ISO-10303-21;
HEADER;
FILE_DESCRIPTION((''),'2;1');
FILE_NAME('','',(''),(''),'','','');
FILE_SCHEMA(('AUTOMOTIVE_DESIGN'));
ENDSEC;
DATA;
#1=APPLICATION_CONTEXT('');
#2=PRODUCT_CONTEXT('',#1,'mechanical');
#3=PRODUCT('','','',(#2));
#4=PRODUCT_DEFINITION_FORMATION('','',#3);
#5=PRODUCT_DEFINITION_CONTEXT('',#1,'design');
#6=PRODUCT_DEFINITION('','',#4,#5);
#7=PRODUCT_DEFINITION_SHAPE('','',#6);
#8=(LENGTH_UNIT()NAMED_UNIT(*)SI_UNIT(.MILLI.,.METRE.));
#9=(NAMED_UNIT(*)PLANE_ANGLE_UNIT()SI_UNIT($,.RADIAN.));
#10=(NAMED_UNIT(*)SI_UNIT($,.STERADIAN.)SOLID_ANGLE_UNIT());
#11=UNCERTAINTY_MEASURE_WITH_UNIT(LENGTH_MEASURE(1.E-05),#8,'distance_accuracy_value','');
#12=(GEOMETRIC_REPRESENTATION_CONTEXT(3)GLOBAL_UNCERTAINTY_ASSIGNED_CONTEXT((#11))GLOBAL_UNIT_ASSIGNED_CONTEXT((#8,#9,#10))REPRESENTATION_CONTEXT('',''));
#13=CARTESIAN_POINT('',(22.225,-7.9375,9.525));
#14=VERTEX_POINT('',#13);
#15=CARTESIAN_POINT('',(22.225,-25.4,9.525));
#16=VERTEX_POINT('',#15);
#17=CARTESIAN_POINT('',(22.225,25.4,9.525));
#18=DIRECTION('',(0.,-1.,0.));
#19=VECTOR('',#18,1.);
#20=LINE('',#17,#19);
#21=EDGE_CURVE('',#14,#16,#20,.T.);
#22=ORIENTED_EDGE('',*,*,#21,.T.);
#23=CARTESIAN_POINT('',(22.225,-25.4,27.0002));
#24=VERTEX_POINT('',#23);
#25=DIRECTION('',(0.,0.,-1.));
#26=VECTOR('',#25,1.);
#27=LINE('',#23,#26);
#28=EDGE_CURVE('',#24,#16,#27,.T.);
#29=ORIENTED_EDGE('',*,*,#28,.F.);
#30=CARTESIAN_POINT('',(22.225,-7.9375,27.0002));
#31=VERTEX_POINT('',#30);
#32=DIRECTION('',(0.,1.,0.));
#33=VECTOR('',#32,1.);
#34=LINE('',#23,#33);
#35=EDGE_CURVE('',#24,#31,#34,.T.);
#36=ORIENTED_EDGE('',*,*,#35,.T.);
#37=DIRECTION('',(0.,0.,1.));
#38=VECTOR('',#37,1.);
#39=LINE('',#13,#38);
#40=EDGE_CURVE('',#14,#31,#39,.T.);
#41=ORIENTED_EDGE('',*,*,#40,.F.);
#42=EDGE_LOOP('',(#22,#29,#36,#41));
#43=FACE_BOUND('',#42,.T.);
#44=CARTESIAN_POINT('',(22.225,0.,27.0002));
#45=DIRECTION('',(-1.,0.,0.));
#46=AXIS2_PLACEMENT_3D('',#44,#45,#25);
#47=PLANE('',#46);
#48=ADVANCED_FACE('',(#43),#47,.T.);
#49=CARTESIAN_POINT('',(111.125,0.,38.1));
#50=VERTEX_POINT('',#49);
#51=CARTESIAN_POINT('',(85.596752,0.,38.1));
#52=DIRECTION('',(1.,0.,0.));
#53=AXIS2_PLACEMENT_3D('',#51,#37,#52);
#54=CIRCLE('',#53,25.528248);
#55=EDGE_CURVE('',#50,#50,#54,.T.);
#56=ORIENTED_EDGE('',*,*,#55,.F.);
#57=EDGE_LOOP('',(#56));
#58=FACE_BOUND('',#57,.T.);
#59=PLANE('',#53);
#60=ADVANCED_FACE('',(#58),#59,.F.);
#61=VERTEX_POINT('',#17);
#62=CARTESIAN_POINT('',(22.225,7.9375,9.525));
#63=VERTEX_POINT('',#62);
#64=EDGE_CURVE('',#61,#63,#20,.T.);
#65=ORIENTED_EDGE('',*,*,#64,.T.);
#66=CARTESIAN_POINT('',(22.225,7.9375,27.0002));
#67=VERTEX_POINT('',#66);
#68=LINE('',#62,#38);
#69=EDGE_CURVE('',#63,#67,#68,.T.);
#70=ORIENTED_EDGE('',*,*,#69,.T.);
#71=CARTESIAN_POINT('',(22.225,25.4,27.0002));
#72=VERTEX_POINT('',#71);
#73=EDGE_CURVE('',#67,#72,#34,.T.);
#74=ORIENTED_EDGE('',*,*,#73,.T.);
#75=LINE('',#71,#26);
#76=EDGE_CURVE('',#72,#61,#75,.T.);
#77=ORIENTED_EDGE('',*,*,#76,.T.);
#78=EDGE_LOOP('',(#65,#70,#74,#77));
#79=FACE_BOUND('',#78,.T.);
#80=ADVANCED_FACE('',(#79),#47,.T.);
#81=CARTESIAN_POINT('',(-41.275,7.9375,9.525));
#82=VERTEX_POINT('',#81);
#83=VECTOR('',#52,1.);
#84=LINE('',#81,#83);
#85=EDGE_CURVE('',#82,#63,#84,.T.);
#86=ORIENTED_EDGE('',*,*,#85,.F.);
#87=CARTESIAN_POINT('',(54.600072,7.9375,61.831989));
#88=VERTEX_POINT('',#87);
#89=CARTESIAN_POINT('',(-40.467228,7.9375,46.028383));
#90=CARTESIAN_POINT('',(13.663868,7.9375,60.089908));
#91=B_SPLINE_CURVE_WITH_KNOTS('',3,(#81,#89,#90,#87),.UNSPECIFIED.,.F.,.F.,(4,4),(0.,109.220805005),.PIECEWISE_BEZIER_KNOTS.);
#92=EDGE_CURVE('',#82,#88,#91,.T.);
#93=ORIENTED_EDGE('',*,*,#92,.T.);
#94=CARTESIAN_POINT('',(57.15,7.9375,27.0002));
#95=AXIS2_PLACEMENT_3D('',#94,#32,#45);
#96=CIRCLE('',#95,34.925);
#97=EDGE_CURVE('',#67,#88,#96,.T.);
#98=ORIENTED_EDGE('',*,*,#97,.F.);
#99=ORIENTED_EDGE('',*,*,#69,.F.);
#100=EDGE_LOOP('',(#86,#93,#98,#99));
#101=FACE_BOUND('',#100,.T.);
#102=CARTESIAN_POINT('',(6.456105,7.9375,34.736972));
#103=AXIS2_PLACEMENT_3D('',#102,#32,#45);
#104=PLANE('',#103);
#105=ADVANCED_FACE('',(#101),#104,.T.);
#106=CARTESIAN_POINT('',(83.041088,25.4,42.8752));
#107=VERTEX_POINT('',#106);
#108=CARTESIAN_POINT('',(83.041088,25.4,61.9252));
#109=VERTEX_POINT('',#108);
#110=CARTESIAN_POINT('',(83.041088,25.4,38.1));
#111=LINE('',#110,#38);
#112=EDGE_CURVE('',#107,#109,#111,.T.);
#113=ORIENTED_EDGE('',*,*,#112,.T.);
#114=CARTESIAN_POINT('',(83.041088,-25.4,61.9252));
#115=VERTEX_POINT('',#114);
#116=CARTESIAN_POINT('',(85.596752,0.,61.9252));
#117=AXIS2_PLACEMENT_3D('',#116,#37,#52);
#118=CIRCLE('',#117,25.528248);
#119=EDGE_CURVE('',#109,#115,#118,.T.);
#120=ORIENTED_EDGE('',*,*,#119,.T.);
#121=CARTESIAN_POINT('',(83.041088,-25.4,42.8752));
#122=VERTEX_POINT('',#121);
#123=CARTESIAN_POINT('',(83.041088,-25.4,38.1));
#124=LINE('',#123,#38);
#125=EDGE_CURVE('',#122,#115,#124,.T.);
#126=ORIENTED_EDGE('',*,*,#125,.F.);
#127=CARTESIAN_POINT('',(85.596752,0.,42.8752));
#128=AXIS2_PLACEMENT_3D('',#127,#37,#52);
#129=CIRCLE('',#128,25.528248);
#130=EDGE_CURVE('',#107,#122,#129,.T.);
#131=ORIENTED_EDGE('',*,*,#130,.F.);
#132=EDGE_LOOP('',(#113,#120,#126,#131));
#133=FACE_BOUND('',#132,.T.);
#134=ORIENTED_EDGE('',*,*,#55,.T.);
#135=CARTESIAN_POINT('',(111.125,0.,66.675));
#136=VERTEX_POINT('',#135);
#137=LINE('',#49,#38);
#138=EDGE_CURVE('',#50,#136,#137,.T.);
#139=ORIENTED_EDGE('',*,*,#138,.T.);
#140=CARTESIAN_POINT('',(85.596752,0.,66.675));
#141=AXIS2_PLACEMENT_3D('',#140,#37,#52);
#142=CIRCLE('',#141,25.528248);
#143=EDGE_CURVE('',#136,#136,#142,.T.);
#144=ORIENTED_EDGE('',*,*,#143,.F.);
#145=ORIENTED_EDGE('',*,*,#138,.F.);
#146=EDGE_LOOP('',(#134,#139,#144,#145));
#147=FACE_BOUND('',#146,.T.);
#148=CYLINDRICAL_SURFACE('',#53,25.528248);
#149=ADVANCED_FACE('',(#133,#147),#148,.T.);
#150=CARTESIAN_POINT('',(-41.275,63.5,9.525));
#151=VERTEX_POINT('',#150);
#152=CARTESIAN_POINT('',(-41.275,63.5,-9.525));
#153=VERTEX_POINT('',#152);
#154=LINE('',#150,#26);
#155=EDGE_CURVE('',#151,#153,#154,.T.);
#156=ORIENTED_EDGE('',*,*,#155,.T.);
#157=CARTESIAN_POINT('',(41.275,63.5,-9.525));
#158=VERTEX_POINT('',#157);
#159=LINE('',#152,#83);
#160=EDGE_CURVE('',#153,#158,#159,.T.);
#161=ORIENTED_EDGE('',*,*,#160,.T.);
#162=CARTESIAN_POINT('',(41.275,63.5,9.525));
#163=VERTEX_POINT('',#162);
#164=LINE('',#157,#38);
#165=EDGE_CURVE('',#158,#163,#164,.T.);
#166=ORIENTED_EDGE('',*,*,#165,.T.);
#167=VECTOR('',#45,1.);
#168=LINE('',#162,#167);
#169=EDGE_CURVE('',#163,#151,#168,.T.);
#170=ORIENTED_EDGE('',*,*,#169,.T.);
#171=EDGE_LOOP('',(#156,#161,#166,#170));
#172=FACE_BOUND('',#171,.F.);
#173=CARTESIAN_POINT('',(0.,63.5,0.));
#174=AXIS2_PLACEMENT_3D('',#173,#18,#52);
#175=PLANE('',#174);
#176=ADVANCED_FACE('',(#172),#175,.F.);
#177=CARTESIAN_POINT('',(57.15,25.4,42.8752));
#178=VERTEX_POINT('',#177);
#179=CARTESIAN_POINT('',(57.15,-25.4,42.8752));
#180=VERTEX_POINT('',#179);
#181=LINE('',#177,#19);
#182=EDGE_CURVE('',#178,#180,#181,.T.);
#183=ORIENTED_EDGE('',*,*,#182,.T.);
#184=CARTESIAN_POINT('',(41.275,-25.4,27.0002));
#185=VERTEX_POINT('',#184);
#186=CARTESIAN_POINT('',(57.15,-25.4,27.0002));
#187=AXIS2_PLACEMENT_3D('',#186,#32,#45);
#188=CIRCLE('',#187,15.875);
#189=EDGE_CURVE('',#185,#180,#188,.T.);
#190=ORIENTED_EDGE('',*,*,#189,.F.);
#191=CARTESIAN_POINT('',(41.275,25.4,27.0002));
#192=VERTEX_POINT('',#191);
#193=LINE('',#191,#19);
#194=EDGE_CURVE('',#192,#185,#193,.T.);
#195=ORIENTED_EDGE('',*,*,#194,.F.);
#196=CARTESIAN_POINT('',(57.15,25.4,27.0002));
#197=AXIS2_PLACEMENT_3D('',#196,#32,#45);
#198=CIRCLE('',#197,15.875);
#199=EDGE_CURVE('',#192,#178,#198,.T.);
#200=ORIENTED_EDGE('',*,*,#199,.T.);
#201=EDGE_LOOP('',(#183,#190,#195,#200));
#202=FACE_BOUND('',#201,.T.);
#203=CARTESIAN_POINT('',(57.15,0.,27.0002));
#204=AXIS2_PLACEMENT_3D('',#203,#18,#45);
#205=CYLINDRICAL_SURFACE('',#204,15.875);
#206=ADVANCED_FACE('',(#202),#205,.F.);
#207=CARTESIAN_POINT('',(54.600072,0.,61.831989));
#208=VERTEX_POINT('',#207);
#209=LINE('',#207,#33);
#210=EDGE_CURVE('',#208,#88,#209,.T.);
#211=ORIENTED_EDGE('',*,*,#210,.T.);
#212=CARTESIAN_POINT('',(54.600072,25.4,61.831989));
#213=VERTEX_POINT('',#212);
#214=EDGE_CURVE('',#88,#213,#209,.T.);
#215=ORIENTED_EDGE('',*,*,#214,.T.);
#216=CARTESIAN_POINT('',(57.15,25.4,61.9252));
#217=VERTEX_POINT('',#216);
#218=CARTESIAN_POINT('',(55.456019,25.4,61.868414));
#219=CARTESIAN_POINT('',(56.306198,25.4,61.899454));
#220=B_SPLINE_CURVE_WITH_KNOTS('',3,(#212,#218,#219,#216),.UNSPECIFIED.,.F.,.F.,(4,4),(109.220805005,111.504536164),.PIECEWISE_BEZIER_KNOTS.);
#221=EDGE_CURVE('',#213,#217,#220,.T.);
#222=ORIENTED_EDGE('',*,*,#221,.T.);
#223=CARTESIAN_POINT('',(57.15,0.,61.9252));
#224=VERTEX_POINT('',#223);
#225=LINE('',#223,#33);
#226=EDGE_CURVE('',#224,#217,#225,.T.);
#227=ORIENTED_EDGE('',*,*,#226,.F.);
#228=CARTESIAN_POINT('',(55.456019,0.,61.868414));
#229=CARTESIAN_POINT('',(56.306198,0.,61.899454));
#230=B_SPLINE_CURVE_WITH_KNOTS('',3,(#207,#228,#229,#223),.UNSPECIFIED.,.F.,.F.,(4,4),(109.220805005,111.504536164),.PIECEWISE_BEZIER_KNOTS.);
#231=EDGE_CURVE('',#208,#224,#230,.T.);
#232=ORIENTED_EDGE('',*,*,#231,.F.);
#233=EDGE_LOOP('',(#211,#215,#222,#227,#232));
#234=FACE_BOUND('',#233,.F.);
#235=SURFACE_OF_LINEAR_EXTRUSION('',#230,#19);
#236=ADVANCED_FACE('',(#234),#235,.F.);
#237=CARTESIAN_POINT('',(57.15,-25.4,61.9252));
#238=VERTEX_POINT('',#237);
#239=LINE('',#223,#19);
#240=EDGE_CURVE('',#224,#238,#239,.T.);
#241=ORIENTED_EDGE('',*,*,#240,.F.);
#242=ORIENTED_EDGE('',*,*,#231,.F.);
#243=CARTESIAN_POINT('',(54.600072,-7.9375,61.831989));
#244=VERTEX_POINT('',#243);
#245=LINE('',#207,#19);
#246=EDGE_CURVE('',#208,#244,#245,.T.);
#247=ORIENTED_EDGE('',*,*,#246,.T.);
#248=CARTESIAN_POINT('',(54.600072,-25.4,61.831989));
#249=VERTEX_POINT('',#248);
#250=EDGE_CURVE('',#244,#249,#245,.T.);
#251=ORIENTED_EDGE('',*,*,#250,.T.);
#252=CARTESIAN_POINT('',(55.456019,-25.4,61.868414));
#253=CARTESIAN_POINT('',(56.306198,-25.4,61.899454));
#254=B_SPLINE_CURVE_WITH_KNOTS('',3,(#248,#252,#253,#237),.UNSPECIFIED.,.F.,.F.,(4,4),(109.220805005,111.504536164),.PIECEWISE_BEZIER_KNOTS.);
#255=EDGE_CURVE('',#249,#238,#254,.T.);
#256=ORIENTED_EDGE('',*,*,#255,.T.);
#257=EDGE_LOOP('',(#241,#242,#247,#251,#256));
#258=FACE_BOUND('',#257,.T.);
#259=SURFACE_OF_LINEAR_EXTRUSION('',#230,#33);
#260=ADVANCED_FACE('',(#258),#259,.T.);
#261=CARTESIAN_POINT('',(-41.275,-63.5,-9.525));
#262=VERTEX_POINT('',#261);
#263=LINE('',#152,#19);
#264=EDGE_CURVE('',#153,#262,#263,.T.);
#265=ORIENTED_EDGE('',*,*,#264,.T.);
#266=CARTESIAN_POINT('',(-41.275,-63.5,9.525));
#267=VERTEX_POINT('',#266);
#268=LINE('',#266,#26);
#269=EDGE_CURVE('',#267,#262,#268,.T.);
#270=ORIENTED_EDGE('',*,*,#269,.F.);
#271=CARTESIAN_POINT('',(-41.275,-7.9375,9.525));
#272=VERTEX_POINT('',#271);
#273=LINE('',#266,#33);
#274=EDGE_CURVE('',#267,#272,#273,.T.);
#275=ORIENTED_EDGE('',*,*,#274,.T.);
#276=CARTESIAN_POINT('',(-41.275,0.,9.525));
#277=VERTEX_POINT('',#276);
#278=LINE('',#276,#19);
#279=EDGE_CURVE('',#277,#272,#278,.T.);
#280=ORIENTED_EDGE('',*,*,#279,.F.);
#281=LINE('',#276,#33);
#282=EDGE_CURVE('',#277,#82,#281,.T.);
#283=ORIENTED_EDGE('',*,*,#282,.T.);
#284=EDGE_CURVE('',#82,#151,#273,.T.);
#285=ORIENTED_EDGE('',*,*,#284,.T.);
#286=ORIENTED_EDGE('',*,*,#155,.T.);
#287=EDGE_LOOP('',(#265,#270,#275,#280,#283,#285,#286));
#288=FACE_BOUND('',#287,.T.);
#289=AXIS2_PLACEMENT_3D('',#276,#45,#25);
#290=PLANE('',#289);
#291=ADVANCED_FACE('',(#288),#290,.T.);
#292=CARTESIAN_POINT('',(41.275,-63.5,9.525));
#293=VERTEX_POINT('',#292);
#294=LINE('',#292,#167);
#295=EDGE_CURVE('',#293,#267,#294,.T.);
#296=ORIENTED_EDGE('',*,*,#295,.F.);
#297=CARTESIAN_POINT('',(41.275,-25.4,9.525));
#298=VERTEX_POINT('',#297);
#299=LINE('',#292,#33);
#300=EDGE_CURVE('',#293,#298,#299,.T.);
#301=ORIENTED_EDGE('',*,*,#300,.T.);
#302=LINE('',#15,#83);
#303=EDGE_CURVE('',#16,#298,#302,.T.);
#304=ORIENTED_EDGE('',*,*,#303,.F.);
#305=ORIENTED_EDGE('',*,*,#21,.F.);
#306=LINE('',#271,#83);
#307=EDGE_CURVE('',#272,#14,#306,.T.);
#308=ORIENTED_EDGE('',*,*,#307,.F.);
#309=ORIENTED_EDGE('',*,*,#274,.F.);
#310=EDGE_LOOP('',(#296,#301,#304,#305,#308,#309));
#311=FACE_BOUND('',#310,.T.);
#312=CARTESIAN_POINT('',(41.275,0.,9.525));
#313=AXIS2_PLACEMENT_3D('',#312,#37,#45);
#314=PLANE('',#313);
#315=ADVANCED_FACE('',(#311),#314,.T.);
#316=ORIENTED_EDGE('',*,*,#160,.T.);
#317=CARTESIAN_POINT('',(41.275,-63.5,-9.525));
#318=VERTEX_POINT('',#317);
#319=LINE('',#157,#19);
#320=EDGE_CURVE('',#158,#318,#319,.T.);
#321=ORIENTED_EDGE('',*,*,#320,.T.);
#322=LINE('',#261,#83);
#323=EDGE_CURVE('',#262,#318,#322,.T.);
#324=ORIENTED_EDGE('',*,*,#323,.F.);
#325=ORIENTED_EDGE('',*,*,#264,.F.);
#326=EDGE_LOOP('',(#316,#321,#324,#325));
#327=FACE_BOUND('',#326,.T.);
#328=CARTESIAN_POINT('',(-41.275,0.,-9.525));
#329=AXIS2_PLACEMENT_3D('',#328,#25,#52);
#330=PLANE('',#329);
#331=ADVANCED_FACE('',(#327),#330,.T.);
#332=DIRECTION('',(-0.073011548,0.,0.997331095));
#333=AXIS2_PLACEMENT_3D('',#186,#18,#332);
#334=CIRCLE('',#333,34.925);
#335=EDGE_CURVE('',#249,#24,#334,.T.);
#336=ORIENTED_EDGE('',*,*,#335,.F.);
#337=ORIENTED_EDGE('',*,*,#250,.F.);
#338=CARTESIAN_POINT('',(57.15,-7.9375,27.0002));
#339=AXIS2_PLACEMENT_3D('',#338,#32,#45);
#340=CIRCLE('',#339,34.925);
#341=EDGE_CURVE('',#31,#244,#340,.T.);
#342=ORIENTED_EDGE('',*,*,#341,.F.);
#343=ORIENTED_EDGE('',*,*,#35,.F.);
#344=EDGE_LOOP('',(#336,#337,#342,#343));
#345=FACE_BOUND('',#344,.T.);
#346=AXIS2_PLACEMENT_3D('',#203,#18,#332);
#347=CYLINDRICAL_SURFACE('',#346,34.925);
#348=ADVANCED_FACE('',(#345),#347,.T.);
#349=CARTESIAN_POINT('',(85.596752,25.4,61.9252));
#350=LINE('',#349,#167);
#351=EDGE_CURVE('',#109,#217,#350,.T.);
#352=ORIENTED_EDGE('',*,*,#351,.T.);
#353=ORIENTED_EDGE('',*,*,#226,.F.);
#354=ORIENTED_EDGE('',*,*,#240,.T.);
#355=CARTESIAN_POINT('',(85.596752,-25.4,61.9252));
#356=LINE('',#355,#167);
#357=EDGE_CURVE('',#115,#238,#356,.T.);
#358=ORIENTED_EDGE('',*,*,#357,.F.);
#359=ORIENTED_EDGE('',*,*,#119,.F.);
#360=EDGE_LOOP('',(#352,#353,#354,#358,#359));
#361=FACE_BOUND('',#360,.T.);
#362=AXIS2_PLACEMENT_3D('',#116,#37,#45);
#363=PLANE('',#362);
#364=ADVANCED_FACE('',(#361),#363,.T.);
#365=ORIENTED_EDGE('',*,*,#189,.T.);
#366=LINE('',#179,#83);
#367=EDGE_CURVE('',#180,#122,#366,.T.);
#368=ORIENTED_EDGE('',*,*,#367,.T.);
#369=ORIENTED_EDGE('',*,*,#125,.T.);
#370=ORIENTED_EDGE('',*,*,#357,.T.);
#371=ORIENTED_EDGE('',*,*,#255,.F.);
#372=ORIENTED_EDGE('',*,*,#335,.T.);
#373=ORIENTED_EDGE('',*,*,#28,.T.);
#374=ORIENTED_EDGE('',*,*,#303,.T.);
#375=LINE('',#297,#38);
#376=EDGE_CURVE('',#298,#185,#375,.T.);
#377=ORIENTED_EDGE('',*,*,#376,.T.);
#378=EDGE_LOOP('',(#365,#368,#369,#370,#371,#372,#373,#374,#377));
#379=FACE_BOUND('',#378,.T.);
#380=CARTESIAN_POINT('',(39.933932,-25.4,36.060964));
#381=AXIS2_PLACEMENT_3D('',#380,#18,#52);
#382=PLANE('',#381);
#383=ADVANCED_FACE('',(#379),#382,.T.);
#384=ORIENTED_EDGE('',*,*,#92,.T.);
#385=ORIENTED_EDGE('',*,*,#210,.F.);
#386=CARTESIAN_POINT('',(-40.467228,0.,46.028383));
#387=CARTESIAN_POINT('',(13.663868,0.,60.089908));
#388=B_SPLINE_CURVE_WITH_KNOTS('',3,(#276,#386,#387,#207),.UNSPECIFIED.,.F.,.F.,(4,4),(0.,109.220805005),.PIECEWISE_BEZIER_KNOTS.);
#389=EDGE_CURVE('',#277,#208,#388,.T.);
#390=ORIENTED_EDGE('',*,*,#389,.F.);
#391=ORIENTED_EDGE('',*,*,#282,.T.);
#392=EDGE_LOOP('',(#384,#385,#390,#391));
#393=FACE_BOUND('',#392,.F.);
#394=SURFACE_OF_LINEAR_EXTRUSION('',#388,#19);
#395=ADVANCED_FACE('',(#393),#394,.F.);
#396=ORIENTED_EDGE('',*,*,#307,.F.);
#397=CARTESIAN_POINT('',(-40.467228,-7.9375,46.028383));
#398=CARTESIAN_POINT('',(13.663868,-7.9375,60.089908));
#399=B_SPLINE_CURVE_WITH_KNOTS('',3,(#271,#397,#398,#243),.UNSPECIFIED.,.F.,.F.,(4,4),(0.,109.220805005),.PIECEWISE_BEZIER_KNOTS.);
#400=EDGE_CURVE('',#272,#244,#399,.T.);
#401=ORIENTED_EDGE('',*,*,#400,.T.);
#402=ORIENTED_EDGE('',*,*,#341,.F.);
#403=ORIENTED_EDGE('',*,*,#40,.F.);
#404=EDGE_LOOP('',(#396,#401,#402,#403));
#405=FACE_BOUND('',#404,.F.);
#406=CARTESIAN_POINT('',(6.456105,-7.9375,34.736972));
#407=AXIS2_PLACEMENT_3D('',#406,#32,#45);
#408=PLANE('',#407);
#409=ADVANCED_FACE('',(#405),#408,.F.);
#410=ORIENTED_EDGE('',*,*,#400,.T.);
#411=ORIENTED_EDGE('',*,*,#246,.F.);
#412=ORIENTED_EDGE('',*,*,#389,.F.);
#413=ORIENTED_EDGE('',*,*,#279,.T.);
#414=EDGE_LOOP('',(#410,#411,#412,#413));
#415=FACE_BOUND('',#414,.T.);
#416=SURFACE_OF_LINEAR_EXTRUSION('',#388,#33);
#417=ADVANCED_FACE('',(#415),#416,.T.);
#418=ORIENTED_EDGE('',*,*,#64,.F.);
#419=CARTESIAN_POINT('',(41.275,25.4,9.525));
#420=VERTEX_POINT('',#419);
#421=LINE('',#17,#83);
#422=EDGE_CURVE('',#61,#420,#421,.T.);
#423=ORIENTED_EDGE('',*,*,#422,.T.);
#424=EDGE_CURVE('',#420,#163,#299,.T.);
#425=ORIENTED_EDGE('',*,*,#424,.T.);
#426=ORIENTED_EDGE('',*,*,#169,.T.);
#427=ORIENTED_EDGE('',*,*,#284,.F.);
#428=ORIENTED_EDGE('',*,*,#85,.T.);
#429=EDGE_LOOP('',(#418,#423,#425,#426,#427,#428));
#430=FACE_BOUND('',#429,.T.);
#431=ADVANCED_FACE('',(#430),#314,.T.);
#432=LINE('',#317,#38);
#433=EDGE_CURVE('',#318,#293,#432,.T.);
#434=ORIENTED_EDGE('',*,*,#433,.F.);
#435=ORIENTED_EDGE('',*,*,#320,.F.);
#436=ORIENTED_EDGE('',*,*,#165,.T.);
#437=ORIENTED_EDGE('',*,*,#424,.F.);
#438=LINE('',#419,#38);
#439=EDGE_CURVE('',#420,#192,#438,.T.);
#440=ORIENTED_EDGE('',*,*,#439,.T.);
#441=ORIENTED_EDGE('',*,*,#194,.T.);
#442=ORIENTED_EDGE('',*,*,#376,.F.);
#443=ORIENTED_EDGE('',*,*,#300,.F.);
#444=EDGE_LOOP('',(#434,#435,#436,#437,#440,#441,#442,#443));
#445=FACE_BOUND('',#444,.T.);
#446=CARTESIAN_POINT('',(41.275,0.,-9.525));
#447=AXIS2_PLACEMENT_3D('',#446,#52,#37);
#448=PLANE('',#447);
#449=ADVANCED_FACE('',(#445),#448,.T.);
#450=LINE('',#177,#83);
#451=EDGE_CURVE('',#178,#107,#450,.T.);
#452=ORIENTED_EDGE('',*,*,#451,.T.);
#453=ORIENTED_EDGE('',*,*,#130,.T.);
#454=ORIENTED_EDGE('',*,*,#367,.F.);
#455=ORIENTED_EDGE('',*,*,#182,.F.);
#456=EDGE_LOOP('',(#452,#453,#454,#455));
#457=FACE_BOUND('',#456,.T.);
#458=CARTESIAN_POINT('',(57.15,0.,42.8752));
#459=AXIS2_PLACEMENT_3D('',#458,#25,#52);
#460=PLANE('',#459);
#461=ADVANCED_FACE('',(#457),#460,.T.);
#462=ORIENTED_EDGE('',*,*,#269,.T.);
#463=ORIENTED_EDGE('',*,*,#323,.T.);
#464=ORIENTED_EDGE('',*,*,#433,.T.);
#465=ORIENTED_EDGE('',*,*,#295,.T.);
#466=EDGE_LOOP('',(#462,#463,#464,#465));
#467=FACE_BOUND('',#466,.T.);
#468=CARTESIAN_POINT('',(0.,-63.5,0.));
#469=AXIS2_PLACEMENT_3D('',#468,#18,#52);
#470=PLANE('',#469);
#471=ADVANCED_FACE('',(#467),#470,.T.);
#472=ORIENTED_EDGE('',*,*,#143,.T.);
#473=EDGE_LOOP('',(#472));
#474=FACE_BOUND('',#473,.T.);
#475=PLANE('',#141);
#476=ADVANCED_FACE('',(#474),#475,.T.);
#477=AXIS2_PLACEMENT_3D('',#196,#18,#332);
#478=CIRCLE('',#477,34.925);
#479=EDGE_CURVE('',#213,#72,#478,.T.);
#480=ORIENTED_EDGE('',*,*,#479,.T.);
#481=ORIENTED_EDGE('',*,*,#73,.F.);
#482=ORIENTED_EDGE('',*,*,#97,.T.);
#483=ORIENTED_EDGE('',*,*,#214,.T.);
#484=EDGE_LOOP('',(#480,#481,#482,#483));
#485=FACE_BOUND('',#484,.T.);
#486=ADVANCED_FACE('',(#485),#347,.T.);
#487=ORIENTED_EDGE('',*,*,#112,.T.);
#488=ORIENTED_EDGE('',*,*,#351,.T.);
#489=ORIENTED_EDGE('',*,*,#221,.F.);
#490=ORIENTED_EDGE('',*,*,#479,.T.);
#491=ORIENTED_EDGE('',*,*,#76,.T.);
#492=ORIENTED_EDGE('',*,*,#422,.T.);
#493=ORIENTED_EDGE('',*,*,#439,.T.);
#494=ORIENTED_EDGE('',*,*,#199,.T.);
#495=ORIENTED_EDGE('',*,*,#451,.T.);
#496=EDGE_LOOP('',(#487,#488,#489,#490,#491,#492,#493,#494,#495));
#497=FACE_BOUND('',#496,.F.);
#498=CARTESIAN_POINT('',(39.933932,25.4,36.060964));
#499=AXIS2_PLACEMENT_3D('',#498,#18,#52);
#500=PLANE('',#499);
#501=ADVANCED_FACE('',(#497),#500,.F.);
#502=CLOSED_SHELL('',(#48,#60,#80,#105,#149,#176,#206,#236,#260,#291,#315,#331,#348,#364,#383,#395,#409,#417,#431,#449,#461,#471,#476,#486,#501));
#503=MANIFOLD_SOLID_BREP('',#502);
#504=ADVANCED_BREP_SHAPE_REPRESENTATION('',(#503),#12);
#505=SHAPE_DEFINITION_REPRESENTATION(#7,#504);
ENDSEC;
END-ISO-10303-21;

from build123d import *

# Parameters (mm, degrees)
F1_DEPTH = 63.5
F0_W     = 25.2717524765
F0_H     = 19.05
F2_DEPTH = 25.4
F3_DEPTH = 7.9375


with BuildPart() as f1:
    # F0 (on Front) → F1 (new body, symmetric)
    with BuildSketch(Plane.XZ):
        Polygon((22.225, 9.525), (-41.275, 9.525), (-41.275, -9.525), (41.275, -9.525), (41.275, 9.525), align=None)
    extrude(amount=F1_DEPTH, both=True)

    # F0 (on Front) → F2 (join, symmetric)
    with BuildSketch(Plane.XZ):
        with BuildLine():
            Line((22.225, 27.0002), (22.225, 9.525))
            Line((22.225, 9.525), (41.275, 9.525))
            Line((41.275, 9.525), (41.275, 27.0002))
            ThreePointArc((41.275, 27.0002), (45.9246798487, 38.2255201513), (57.15, 42.8752))
            Line((57.15, 42.8752), (60.325, 42.8752))
            Line((60.325, 42.8752), (60.325, 61.9252))
            Line((60.325, 61.9252), (57.15, 61.9252))
            add(Edge.make_bspline(
                [(54.6000717025, 61.8319885082), (55.4560192886, 61.8684142099), (56.3061980805, 61.8994538624), (57.15, 61.9252)],
                knots=[109.2208050055, 109.2208050055, 109.2208050055, 109.2208050055, 111.5045361635, 111.5045361635, 111.5045361635, 111.5045361635], degree=3))
            ThreePointArc((54.6000717025, 61.8319885082), (31.5686408611, 50.7772832863), (22.225, 27.0002))
        make_face()
        with Locations((72.9608762383, 52.4002)):
            Rectangle(F0_W, F0_H)
    extrude(amount=F2_DEPTH, both=True)

    # F0 (on Front) → F3 (join, symmetric)
    with BuildSketch(Plane.XZ):
        with BuildLine():
            add(Edge.make_bspline(
                [(-41.275, 9.525), (-40.467228221, 46.0283825341), (13.6638677739, 60.0899075916), (54.6000717025, 61.8319885082)],
                knots=[0, 0, 0, 0, 109.2208050055, 109.2208050055, 109.2208050055, 109.2208050055], degree=3))
            Line((-41.275, 9.525), (22.225, 9.525))
            Line((22.225, 9.525), (22.225, 27.0002))
            ThreePointArc((22.225, 27.0002), (31.5686408611, 50.7772832863), (54.6000717025, 61.8319885082))
        make_face()
    extrude(amount=F3_DEPTH, both=True)

    # F0 (on Front) → F4 (revolve)
    with BuildSketch(Plane.XZ):
        Polygon((85.5967524765, 66.675), (85.5967524765, 61.9252), (85.5967524765, 42.8752), (85.5967524765, 38.1), (111.125, 38.1), (111.125, 66.675), align=None)
    revolve(axis=Axis((85.5967524765, 0, 52.3875), (0, 0, 1)))


solid = f1.part
